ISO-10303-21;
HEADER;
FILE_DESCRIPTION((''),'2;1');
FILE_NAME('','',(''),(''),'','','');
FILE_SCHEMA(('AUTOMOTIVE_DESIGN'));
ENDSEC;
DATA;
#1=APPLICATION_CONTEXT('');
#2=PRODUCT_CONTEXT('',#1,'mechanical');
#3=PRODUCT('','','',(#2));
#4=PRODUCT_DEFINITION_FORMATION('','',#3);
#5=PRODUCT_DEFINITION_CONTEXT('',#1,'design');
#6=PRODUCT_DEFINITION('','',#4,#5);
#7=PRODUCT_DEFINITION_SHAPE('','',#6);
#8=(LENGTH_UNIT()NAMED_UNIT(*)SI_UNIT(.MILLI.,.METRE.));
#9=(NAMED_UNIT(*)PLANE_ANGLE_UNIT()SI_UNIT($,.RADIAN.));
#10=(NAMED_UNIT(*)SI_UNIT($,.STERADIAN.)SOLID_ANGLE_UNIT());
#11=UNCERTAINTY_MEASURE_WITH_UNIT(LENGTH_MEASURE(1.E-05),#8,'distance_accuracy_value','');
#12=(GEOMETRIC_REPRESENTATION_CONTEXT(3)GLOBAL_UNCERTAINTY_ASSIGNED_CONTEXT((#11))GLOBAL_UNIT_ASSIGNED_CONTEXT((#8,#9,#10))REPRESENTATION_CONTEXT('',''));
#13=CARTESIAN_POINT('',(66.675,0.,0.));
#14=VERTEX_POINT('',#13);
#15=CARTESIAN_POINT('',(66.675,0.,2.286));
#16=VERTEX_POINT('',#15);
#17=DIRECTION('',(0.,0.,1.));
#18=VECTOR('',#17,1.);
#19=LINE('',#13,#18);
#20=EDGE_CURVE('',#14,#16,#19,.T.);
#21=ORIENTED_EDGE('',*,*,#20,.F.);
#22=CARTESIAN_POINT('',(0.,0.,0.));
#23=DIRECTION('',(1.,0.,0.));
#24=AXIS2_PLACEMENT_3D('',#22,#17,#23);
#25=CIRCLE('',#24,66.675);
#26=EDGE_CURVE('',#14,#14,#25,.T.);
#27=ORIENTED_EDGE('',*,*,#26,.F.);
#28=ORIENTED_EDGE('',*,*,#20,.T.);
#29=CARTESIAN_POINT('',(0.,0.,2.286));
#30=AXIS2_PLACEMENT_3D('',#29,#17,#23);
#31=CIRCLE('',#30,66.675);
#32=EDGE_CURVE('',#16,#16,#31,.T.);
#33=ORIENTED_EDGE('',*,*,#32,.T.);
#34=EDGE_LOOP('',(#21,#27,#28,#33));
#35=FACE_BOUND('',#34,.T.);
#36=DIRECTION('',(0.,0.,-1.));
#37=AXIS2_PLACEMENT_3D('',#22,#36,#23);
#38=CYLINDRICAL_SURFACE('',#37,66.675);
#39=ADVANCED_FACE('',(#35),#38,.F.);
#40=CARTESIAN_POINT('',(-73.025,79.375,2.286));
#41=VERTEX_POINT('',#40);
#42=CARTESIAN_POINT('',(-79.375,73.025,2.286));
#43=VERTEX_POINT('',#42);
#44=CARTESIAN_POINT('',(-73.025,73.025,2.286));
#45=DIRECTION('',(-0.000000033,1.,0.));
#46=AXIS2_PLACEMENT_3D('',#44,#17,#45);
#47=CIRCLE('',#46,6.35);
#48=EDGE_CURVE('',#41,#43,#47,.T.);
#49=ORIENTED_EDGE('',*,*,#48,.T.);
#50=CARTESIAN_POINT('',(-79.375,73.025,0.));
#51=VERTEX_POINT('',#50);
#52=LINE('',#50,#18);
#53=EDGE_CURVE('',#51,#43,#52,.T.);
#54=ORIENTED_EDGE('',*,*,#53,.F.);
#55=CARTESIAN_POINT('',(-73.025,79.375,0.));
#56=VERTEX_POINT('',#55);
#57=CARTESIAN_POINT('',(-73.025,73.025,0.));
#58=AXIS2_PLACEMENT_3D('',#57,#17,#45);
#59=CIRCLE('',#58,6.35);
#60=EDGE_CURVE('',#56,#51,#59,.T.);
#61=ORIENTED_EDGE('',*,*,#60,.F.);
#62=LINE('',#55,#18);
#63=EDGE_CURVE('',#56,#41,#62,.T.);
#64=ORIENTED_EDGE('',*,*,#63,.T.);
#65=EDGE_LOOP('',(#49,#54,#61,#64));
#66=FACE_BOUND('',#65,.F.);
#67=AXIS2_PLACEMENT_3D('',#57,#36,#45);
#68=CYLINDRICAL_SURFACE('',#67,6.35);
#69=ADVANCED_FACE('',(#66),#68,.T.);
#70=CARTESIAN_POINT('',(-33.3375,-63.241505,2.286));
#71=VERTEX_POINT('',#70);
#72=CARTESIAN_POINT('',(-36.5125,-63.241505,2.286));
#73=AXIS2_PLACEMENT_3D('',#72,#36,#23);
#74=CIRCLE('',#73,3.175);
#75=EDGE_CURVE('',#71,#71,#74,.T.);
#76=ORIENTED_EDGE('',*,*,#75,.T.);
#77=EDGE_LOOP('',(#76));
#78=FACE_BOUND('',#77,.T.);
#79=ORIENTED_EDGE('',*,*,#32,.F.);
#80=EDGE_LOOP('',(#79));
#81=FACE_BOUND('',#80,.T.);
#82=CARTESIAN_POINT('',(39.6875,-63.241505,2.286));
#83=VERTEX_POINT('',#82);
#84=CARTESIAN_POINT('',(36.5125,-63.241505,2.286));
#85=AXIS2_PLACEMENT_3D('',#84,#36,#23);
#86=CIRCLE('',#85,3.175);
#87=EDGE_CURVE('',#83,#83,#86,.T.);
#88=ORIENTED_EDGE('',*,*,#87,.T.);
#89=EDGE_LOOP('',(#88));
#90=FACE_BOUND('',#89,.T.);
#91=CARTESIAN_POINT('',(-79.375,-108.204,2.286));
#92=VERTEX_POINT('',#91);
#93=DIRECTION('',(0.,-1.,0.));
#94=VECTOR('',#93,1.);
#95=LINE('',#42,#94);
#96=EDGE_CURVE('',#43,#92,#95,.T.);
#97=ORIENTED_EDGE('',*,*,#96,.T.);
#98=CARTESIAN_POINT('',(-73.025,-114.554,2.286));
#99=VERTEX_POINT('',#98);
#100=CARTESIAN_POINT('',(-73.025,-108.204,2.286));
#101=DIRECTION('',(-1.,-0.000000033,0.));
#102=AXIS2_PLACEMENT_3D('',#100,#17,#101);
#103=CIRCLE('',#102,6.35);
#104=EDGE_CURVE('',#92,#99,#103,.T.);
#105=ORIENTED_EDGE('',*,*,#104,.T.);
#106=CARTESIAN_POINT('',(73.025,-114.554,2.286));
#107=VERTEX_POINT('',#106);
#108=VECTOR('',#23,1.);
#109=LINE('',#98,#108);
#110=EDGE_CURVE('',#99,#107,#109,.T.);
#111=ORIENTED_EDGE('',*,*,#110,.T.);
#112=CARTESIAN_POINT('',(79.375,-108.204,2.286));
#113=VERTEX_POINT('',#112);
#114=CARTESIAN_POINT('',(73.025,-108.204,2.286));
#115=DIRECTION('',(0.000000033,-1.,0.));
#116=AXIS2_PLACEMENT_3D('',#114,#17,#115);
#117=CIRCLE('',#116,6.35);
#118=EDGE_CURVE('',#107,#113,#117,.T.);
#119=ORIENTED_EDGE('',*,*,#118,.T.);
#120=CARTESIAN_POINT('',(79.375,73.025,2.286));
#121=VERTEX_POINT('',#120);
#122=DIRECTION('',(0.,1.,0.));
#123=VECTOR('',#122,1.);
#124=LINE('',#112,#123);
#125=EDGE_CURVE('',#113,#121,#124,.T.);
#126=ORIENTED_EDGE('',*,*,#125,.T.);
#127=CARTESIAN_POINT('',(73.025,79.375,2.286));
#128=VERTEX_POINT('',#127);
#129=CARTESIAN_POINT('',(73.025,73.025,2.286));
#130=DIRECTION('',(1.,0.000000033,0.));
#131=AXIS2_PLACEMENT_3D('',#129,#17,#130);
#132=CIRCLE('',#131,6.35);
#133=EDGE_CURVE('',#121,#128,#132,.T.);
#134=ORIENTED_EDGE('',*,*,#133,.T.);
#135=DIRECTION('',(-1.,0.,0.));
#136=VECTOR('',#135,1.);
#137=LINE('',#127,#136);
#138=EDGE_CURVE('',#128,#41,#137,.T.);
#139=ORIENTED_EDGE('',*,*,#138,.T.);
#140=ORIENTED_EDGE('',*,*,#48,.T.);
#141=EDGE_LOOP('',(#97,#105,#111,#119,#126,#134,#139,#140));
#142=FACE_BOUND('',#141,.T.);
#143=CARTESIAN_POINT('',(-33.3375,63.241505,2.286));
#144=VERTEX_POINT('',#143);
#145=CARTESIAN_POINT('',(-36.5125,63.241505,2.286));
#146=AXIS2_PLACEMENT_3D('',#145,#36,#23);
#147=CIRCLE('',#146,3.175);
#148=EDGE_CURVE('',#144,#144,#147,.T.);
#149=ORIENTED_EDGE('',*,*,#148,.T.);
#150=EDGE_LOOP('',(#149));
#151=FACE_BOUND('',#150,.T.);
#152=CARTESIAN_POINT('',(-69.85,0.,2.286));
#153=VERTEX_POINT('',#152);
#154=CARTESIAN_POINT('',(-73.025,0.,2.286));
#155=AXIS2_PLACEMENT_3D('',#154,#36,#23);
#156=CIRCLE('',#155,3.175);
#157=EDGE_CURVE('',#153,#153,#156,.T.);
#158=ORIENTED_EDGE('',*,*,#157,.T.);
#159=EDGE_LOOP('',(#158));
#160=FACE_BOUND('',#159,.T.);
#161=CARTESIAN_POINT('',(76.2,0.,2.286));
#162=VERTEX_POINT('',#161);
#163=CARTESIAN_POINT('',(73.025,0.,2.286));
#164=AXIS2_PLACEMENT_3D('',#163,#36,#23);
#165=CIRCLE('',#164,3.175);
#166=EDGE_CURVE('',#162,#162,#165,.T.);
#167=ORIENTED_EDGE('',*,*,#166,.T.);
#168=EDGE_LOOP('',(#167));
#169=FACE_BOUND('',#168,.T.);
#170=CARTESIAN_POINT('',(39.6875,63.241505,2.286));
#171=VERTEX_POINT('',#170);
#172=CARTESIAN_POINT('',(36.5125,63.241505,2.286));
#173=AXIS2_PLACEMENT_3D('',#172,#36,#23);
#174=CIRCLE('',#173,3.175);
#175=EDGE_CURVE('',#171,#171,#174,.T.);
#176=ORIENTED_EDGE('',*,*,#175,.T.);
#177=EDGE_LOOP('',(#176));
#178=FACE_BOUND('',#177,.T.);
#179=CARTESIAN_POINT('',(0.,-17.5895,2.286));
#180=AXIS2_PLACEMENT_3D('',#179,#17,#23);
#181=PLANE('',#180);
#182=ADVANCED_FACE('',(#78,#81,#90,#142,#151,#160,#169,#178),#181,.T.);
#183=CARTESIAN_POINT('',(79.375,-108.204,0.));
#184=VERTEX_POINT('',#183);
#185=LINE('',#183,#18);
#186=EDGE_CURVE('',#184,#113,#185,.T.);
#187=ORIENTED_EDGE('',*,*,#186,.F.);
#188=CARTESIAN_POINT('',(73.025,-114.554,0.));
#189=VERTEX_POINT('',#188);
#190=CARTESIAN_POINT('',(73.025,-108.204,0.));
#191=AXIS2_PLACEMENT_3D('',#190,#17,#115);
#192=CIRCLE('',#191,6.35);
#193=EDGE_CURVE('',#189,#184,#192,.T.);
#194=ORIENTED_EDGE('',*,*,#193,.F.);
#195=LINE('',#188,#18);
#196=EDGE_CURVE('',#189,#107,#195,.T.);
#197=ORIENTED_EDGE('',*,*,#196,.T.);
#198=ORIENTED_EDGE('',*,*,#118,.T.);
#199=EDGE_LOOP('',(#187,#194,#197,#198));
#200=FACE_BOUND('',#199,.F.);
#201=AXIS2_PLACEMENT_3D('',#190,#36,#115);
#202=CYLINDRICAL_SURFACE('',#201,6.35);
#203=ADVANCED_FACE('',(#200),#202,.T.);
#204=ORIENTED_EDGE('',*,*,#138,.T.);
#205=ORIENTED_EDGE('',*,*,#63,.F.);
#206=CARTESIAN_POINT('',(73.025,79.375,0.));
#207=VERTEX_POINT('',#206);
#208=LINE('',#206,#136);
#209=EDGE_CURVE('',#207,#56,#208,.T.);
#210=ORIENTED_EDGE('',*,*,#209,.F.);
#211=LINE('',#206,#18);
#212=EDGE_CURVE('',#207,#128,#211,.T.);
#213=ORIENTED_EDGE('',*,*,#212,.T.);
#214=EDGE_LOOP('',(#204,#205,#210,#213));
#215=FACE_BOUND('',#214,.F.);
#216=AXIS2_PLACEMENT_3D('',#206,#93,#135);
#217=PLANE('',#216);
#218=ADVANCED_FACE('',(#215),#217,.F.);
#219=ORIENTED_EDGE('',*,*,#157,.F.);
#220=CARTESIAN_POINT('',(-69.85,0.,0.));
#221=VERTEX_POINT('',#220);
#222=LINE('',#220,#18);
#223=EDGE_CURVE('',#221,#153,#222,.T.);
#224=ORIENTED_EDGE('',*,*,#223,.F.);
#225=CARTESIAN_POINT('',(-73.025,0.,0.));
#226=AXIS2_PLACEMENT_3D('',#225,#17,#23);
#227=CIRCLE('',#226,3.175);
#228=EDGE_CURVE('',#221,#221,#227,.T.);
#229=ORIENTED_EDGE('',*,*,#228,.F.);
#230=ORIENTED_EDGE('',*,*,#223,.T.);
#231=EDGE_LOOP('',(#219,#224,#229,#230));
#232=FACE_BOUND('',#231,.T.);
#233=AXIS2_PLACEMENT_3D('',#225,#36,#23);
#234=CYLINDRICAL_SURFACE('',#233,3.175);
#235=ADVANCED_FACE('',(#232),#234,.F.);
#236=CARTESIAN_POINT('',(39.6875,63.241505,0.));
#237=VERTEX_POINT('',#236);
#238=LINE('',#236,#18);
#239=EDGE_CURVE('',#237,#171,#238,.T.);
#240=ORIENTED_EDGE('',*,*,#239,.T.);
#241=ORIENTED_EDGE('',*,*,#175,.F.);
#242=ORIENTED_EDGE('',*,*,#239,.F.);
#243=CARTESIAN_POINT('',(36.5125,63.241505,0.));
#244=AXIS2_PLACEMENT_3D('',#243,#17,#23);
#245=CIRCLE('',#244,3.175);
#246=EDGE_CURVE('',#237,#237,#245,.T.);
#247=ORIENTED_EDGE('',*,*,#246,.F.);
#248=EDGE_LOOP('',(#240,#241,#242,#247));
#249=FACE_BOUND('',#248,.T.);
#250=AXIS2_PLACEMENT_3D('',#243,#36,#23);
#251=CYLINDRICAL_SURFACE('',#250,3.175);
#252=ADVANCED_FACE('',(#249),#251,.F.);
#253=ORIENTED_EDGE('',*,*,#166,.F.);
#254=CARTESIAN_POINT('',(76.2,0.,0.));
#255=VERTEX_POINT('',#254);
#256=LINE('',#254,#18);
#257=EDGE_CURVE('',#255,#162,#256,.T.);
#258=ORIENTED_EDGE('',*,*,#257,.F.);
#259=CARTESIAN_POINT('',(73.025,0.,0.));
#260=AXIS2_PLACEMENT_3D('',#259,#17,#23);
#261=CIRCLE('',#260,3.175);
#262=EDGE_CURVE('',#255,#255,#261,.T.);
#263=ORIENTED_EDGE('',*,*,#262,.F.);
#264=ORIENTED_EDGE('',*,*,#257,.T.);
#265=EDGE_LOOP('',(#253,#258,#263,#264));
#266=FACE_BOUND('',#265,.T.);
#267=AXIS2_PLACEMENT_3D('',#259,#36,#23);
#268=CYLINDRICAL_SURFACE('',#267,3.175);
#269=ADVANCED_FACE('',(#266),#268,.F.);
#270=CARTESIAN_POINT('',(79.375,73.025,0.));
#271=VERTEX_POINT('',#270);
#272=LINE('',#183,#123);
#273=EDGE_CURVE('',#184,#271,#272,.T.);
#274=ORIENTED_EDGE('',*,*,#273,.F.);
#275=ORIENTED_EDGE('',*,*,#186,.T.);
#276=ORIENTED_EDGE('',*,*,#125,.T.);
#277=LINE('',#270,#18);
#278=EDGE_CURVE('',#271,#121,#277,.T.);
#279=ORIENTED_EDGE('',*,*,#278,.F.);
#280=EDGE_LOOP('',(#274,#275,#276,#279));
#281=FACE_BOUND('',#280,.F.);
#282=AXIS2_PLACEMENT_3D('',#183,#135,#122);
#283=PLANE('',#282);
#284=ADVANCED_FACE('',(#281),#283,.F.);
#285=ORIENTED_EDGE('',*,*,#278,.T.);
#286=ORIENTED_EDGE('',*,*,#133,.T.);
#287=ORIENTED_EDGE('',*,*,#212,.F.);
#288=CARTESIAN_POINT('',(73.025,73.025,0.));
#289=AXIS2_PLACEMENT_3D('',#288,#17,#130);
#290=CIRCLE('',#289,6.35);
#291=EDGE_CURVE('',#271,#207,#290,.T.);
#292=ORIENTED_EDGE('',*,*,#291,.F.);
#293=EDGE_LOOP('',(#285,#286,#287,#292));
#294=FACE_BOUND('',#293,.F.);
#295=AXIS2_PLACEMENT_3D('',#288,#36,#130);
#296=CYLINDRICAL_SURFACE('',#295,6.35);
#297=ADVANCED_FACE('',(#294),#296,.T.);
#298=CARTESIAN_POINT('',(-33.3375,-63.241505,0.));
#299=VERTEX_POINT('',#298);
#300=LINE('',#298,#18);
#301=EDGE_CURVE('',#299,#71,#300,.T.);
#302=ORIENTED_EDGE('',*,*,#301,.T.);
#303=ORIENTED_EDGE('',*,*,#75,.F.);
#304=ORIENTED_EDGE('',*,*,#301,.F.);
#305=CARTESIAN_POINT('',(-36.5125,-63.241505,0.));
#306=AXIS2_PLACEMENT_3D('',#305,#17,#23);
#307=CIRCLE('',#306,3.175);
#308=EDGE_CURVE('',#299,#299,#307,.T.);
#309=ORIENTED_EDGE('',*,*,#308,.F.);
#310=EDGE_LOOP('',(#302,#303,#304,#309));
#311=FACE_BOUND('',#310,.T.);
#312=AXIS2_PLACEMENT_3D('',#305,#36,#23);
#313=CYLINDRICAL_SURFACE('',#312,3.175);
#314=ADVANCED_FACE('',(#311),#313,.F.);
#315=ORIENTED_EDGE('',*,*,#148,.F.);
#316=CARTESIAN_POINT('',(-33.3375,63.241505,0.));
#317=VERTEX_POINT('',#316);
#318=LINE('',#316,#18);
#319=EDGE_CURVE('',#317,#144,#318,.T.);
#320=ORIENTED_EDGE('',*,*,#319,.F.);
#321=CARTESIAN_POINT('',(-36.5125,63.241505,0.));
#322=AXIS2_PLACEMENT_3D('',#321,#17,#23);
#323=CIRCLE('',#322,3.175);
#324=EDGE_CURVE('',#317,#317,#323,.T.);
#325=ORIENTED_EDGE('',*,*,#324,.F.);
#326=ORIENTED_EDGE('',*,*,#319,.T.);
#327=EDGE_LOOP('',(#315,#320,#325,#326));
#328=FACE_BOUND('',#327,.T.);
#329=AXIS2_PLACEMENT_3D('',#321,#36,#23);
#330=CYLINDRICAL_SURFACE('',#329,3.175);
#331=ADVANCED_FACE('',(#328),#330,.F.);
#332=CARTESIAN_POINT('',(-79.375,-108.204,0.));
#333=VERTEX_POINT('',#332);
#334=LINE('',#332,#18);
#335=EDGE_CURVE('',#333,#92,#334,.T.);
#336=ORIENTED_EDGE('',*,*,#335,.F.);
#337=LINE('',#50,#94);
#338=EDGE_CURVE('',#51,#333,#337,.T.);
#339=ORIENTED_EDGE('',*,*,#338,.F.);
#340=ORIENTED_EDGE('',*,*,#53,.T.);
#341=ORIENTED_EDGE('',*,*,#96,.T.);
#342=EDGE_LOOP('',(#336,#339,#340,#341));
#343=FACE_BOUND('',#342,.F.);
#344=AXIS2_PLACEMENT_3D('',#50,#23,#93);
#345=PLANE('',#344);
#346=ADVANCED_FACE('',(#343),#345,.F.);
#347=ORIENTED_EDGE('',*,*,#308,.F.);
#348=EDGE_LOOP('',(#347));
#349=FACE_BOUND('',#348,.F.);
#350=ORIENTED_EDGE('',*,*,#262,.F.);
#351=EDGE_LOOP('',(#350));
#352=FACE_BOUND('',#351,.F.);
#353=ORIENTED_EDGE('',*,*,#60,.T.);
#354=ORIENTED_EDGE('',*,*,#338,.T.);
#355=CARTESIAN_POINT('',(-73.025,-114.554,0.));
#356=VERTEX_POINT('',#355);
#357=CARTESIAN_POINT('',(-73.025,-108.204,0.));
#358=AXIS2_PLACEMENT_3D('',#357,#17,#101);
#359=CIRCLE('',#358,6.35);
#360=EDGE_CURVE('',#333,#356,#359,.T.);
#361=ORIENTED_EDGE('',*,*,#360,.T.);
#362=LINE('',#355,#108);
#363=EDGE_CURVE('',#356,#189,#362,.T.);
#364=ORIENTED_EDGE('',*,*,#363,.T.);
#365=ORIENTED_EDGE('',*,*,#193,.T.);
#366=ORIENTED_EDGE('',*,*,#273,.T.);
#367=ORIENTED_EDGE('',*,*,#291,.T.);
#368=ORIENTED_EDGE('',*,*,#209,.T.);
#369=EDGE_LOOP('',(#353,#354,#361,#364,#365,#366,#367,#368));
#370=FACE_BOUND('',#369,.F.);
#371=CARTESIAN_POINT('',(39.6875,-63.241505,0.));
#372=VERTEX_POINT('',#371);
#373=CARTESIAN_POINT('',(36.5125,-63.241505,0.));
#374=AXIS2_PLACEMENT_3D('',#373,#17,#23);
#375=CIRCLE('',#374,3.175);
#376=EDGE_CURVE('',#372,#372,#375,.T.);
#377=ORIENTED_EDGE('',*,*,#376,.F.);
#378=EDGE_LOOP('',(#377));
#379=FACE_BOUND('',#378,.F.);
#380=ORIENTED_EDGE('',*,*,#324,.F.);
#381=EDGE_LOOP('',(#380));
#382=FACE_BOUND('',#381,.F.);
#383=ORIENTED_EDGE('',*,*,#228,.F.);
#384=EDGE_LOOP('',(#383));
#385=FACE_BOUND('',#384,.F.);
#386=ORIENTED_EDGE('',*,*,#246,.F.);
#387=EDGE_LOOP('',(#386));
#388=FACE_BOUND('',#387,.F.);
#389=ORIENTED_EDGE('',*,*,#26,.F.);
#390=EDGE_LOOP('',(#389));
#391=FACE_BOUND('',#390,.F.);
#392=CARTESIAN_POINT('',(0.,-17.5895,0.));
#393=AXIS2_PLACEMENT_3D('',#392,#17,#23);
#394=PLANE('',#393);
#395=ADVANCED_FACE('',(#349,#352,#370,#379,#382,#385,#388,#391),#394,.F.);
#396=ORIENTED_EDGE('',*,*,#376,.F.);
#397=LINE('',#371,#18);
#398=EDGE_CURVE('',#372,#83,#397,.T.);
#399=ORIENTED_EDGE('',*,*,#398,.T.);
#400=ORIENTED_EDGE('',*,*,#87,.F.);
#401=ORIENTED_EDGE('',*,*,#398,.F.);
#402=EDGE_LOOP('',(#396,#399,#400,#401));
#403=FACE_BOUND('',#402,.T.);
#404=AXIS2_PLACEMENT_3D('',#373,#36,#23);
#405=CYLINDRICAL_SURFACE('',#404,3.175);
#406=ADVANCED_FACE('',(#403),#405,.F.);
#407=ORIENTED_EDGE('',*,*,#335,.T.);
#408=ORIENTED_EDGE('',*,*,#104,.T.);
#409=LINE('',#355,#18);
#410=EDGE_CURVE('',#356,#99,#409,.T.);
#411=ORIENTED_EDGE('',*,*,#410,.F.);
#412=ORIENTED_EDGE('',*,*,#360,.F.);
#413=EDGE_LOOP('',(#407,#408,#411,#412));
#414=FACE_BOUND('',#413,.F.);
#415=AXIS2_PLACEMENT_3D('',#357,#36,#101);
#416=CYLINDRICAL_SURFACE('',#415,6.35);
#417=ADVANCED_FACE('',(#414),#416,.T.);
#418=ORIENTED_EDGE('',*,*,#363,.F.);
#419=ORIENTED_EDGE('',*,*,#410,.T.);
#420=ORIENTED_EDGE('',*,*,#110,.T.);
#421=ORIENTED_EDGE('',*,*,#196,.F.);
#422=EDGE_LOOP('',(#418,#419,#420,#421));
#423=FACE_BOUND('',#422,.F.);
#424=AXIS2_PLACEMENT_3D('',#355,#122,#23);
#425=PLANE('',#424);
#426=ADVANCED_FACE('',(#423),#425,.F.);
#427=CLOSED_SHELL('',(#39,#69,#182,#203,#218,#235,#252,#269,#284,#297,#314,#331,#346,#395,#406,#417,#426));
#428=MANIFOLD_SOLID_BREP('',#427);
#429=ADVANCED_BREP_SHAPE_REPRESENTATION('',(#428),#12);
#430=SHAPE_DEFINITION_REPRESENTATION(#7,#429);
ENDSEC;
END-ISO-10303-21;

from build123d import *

# Parameters (mm, degrees)
F0_R     = 66.675
F1_DEPTH = 2.286
F2_R     = 3.175
F3_DEPTH = 25.4


with BuildPart() as f1:
    # F0 (on Top) → F1 (new body)
    with BuildSketch(Plane.XY):
        with BuildLine():
            Line((73.025, 79.375), (-73.025, 79.375))
            ThreePointArc((-73.025, 79.375), (-77.515128, 77.515128), (-79.375, 73.025))
            Line((-79.375, 73.025), (-79.375, -108.204))
            ThreePointArc((-79.375, -108.204), (-77.515128, -112.694128), (-73.025, -114.554))
            Line((-73.025, -114.554), (73.025, -114.554))
            ThreePointArc((73.025, -114.554), (77.515128, -112.694128), (79.375, -108.204))
            Line((79.375, -108.204), (79.375, 73.025))
            ThreePointArc((79.375, 73.025), (77.515128, 77.515128), (73.025, 79.375))
        make_face()
        Circle(F0_R, mode=Mode.SUBTRACT)
    extrude(amount=F1_DEPTH)

    # F2 (on face) → F3 (cut)
    with BuildSketch(Plane.XY):
        with Locations((-73.025, 0)):
            Circle(F2_R)
        with Locations((-36.5125, -63.241505)):
            Circle(F2_R)
        with Locations((36.5125, -63.241505)):
            Circle(F2_R)
        with Locations((73.025, 0)):
            Circle(F2_R)
        with Locations((36.5125, 63.241505)):
            Circle(F2_R)
        with Locations((-36.5125, 63.241505)):
            Circle(F2_R)
    extrude(amount=F3_DEPTH, mode=Mode.SUBTRACT)


solid = f1.part
